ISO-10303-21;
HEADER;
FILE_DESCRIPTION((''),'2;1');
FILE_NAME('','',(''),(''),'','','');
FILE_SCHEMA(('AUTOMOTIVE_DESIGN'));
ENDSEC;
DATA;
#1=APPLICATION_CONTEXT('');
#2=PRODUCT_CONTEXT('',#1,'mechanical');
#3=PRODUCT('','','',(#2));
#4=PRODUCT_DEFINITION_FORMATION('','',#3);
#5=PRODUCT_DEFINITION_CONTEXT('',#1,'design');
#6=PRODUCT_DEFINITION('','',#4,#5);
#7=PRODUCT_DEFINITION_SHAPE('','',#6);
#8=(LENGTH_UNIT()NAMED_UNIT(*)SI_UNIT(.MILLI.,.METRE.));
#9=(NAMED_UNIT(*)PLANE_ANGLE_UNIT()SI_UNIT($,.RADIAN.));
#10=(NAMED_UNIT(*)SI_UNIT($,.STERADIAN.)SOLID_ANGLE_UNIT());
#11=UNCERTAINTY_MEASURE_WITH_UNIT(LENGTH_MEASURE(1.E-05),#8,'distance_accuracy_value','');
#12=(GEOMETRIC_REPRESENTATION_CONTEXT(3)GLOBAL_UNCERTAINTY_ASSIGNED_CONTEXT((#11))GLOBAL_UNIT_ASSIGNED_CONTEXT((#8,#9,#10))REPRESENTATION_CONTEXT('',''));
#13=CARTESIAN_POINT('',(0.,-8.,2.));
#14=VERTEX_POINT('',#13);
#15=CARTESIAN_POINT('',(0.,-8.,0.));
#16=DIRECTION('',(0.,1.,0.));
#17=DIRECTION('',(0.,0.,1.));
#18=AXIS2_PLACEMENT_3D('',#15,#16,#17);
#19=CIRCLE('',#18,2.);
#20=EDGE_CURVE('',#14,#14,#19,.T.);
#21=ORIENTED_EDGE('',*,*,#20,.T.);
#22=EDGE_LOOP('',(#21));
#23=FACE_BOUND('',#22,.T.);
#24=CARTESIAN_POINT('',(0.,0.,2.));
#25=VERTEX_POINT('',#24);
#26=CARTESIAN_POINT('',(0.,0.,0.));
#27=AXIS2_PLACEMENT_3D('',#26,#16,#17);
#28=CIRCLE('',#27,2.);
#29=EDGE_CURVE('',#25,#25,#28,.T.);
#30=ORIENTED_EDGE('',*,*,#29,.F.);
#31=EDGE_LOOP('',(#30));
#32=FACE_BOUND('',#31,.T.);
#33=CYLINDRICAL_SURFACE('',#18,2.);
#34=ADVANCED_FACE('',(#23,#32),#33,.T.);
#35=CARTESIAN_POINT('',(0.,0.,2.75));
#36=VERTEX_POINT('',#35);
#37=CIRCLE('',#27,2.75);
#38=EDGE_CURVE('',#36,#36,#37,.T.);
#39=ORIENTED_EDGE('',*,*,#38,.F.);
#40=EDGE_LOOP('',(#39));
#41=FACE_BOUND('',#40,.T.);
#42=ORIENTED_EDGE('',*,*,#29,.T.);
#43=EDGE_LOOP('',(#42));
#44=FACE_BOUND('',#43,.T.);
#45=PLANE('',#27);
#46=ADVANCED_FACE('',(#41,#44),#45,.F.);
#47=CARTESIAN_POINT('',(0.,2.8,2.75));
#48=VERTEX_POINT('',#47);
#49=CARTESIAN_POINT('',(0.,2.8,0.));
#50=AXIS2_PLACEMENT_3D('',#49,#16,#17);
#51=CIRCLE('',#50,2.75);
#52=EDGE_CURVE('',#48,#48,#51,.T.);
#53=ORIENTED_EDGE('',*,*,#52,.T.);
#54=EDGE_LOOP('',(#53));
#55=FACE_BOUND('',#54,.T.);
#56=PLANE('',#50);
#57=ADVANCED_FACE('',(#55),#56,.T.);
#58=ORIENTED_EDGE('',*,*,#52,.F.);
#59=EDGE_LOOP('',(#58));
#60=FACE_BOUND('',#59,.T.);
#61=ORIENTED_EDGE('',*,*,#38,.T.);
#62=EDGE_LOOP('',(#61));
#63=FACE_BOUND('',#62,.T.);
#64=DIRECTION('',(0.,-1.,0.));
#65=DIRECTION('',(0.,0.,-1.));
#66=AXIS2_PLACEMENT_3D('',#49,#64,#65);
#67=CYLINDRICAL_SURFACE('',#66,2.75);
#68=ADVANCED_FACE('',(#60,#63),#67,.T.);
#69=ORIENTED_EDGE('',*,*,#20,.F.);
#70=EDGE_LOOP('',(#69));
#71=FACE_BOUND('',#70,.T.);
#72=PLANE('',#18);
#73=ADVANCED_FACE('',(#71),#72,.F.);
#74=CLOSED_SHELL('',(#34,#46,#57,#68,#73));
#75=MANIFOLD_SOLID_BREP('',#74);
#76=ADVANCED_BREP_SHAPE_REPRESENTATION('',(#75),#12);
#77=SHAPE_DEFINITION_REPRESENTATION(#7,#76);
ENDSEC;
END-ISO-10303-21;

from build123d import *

# Parameters (mm, degrees)
SKETCH1_R           = 2.75
BOSS_EXTRUDE1_DEPTH = 2.8
SKETCH1_3_R         = 2
BOSS_EXTRUDE2_DEPTH = 8


with BuildPart() as part:
    # Sketch1 → Boss-Extrude1 (new body)
    with BuildSketch(Plane(origin=(0, 0, 0), x_dir=(1, 0, 0), z_dir=(0, 1, 0))):
        Circle(SKETCH1_R)
    extrude(amount=BOSS_EXTRUDE1_DEPTH)

    # Sketch1<3> → Boss-Extrude2 (add)
    with BuildSketch(Plane(origin=(0, 0, 0), x_dir=(1, 0, 0), z_dir=(0, 1, 0))):
        Circle(SKETCH1_3_R)
    extrude(amount=-BOSS_EXTRUDE2_DEPTH)


solid = part.part
